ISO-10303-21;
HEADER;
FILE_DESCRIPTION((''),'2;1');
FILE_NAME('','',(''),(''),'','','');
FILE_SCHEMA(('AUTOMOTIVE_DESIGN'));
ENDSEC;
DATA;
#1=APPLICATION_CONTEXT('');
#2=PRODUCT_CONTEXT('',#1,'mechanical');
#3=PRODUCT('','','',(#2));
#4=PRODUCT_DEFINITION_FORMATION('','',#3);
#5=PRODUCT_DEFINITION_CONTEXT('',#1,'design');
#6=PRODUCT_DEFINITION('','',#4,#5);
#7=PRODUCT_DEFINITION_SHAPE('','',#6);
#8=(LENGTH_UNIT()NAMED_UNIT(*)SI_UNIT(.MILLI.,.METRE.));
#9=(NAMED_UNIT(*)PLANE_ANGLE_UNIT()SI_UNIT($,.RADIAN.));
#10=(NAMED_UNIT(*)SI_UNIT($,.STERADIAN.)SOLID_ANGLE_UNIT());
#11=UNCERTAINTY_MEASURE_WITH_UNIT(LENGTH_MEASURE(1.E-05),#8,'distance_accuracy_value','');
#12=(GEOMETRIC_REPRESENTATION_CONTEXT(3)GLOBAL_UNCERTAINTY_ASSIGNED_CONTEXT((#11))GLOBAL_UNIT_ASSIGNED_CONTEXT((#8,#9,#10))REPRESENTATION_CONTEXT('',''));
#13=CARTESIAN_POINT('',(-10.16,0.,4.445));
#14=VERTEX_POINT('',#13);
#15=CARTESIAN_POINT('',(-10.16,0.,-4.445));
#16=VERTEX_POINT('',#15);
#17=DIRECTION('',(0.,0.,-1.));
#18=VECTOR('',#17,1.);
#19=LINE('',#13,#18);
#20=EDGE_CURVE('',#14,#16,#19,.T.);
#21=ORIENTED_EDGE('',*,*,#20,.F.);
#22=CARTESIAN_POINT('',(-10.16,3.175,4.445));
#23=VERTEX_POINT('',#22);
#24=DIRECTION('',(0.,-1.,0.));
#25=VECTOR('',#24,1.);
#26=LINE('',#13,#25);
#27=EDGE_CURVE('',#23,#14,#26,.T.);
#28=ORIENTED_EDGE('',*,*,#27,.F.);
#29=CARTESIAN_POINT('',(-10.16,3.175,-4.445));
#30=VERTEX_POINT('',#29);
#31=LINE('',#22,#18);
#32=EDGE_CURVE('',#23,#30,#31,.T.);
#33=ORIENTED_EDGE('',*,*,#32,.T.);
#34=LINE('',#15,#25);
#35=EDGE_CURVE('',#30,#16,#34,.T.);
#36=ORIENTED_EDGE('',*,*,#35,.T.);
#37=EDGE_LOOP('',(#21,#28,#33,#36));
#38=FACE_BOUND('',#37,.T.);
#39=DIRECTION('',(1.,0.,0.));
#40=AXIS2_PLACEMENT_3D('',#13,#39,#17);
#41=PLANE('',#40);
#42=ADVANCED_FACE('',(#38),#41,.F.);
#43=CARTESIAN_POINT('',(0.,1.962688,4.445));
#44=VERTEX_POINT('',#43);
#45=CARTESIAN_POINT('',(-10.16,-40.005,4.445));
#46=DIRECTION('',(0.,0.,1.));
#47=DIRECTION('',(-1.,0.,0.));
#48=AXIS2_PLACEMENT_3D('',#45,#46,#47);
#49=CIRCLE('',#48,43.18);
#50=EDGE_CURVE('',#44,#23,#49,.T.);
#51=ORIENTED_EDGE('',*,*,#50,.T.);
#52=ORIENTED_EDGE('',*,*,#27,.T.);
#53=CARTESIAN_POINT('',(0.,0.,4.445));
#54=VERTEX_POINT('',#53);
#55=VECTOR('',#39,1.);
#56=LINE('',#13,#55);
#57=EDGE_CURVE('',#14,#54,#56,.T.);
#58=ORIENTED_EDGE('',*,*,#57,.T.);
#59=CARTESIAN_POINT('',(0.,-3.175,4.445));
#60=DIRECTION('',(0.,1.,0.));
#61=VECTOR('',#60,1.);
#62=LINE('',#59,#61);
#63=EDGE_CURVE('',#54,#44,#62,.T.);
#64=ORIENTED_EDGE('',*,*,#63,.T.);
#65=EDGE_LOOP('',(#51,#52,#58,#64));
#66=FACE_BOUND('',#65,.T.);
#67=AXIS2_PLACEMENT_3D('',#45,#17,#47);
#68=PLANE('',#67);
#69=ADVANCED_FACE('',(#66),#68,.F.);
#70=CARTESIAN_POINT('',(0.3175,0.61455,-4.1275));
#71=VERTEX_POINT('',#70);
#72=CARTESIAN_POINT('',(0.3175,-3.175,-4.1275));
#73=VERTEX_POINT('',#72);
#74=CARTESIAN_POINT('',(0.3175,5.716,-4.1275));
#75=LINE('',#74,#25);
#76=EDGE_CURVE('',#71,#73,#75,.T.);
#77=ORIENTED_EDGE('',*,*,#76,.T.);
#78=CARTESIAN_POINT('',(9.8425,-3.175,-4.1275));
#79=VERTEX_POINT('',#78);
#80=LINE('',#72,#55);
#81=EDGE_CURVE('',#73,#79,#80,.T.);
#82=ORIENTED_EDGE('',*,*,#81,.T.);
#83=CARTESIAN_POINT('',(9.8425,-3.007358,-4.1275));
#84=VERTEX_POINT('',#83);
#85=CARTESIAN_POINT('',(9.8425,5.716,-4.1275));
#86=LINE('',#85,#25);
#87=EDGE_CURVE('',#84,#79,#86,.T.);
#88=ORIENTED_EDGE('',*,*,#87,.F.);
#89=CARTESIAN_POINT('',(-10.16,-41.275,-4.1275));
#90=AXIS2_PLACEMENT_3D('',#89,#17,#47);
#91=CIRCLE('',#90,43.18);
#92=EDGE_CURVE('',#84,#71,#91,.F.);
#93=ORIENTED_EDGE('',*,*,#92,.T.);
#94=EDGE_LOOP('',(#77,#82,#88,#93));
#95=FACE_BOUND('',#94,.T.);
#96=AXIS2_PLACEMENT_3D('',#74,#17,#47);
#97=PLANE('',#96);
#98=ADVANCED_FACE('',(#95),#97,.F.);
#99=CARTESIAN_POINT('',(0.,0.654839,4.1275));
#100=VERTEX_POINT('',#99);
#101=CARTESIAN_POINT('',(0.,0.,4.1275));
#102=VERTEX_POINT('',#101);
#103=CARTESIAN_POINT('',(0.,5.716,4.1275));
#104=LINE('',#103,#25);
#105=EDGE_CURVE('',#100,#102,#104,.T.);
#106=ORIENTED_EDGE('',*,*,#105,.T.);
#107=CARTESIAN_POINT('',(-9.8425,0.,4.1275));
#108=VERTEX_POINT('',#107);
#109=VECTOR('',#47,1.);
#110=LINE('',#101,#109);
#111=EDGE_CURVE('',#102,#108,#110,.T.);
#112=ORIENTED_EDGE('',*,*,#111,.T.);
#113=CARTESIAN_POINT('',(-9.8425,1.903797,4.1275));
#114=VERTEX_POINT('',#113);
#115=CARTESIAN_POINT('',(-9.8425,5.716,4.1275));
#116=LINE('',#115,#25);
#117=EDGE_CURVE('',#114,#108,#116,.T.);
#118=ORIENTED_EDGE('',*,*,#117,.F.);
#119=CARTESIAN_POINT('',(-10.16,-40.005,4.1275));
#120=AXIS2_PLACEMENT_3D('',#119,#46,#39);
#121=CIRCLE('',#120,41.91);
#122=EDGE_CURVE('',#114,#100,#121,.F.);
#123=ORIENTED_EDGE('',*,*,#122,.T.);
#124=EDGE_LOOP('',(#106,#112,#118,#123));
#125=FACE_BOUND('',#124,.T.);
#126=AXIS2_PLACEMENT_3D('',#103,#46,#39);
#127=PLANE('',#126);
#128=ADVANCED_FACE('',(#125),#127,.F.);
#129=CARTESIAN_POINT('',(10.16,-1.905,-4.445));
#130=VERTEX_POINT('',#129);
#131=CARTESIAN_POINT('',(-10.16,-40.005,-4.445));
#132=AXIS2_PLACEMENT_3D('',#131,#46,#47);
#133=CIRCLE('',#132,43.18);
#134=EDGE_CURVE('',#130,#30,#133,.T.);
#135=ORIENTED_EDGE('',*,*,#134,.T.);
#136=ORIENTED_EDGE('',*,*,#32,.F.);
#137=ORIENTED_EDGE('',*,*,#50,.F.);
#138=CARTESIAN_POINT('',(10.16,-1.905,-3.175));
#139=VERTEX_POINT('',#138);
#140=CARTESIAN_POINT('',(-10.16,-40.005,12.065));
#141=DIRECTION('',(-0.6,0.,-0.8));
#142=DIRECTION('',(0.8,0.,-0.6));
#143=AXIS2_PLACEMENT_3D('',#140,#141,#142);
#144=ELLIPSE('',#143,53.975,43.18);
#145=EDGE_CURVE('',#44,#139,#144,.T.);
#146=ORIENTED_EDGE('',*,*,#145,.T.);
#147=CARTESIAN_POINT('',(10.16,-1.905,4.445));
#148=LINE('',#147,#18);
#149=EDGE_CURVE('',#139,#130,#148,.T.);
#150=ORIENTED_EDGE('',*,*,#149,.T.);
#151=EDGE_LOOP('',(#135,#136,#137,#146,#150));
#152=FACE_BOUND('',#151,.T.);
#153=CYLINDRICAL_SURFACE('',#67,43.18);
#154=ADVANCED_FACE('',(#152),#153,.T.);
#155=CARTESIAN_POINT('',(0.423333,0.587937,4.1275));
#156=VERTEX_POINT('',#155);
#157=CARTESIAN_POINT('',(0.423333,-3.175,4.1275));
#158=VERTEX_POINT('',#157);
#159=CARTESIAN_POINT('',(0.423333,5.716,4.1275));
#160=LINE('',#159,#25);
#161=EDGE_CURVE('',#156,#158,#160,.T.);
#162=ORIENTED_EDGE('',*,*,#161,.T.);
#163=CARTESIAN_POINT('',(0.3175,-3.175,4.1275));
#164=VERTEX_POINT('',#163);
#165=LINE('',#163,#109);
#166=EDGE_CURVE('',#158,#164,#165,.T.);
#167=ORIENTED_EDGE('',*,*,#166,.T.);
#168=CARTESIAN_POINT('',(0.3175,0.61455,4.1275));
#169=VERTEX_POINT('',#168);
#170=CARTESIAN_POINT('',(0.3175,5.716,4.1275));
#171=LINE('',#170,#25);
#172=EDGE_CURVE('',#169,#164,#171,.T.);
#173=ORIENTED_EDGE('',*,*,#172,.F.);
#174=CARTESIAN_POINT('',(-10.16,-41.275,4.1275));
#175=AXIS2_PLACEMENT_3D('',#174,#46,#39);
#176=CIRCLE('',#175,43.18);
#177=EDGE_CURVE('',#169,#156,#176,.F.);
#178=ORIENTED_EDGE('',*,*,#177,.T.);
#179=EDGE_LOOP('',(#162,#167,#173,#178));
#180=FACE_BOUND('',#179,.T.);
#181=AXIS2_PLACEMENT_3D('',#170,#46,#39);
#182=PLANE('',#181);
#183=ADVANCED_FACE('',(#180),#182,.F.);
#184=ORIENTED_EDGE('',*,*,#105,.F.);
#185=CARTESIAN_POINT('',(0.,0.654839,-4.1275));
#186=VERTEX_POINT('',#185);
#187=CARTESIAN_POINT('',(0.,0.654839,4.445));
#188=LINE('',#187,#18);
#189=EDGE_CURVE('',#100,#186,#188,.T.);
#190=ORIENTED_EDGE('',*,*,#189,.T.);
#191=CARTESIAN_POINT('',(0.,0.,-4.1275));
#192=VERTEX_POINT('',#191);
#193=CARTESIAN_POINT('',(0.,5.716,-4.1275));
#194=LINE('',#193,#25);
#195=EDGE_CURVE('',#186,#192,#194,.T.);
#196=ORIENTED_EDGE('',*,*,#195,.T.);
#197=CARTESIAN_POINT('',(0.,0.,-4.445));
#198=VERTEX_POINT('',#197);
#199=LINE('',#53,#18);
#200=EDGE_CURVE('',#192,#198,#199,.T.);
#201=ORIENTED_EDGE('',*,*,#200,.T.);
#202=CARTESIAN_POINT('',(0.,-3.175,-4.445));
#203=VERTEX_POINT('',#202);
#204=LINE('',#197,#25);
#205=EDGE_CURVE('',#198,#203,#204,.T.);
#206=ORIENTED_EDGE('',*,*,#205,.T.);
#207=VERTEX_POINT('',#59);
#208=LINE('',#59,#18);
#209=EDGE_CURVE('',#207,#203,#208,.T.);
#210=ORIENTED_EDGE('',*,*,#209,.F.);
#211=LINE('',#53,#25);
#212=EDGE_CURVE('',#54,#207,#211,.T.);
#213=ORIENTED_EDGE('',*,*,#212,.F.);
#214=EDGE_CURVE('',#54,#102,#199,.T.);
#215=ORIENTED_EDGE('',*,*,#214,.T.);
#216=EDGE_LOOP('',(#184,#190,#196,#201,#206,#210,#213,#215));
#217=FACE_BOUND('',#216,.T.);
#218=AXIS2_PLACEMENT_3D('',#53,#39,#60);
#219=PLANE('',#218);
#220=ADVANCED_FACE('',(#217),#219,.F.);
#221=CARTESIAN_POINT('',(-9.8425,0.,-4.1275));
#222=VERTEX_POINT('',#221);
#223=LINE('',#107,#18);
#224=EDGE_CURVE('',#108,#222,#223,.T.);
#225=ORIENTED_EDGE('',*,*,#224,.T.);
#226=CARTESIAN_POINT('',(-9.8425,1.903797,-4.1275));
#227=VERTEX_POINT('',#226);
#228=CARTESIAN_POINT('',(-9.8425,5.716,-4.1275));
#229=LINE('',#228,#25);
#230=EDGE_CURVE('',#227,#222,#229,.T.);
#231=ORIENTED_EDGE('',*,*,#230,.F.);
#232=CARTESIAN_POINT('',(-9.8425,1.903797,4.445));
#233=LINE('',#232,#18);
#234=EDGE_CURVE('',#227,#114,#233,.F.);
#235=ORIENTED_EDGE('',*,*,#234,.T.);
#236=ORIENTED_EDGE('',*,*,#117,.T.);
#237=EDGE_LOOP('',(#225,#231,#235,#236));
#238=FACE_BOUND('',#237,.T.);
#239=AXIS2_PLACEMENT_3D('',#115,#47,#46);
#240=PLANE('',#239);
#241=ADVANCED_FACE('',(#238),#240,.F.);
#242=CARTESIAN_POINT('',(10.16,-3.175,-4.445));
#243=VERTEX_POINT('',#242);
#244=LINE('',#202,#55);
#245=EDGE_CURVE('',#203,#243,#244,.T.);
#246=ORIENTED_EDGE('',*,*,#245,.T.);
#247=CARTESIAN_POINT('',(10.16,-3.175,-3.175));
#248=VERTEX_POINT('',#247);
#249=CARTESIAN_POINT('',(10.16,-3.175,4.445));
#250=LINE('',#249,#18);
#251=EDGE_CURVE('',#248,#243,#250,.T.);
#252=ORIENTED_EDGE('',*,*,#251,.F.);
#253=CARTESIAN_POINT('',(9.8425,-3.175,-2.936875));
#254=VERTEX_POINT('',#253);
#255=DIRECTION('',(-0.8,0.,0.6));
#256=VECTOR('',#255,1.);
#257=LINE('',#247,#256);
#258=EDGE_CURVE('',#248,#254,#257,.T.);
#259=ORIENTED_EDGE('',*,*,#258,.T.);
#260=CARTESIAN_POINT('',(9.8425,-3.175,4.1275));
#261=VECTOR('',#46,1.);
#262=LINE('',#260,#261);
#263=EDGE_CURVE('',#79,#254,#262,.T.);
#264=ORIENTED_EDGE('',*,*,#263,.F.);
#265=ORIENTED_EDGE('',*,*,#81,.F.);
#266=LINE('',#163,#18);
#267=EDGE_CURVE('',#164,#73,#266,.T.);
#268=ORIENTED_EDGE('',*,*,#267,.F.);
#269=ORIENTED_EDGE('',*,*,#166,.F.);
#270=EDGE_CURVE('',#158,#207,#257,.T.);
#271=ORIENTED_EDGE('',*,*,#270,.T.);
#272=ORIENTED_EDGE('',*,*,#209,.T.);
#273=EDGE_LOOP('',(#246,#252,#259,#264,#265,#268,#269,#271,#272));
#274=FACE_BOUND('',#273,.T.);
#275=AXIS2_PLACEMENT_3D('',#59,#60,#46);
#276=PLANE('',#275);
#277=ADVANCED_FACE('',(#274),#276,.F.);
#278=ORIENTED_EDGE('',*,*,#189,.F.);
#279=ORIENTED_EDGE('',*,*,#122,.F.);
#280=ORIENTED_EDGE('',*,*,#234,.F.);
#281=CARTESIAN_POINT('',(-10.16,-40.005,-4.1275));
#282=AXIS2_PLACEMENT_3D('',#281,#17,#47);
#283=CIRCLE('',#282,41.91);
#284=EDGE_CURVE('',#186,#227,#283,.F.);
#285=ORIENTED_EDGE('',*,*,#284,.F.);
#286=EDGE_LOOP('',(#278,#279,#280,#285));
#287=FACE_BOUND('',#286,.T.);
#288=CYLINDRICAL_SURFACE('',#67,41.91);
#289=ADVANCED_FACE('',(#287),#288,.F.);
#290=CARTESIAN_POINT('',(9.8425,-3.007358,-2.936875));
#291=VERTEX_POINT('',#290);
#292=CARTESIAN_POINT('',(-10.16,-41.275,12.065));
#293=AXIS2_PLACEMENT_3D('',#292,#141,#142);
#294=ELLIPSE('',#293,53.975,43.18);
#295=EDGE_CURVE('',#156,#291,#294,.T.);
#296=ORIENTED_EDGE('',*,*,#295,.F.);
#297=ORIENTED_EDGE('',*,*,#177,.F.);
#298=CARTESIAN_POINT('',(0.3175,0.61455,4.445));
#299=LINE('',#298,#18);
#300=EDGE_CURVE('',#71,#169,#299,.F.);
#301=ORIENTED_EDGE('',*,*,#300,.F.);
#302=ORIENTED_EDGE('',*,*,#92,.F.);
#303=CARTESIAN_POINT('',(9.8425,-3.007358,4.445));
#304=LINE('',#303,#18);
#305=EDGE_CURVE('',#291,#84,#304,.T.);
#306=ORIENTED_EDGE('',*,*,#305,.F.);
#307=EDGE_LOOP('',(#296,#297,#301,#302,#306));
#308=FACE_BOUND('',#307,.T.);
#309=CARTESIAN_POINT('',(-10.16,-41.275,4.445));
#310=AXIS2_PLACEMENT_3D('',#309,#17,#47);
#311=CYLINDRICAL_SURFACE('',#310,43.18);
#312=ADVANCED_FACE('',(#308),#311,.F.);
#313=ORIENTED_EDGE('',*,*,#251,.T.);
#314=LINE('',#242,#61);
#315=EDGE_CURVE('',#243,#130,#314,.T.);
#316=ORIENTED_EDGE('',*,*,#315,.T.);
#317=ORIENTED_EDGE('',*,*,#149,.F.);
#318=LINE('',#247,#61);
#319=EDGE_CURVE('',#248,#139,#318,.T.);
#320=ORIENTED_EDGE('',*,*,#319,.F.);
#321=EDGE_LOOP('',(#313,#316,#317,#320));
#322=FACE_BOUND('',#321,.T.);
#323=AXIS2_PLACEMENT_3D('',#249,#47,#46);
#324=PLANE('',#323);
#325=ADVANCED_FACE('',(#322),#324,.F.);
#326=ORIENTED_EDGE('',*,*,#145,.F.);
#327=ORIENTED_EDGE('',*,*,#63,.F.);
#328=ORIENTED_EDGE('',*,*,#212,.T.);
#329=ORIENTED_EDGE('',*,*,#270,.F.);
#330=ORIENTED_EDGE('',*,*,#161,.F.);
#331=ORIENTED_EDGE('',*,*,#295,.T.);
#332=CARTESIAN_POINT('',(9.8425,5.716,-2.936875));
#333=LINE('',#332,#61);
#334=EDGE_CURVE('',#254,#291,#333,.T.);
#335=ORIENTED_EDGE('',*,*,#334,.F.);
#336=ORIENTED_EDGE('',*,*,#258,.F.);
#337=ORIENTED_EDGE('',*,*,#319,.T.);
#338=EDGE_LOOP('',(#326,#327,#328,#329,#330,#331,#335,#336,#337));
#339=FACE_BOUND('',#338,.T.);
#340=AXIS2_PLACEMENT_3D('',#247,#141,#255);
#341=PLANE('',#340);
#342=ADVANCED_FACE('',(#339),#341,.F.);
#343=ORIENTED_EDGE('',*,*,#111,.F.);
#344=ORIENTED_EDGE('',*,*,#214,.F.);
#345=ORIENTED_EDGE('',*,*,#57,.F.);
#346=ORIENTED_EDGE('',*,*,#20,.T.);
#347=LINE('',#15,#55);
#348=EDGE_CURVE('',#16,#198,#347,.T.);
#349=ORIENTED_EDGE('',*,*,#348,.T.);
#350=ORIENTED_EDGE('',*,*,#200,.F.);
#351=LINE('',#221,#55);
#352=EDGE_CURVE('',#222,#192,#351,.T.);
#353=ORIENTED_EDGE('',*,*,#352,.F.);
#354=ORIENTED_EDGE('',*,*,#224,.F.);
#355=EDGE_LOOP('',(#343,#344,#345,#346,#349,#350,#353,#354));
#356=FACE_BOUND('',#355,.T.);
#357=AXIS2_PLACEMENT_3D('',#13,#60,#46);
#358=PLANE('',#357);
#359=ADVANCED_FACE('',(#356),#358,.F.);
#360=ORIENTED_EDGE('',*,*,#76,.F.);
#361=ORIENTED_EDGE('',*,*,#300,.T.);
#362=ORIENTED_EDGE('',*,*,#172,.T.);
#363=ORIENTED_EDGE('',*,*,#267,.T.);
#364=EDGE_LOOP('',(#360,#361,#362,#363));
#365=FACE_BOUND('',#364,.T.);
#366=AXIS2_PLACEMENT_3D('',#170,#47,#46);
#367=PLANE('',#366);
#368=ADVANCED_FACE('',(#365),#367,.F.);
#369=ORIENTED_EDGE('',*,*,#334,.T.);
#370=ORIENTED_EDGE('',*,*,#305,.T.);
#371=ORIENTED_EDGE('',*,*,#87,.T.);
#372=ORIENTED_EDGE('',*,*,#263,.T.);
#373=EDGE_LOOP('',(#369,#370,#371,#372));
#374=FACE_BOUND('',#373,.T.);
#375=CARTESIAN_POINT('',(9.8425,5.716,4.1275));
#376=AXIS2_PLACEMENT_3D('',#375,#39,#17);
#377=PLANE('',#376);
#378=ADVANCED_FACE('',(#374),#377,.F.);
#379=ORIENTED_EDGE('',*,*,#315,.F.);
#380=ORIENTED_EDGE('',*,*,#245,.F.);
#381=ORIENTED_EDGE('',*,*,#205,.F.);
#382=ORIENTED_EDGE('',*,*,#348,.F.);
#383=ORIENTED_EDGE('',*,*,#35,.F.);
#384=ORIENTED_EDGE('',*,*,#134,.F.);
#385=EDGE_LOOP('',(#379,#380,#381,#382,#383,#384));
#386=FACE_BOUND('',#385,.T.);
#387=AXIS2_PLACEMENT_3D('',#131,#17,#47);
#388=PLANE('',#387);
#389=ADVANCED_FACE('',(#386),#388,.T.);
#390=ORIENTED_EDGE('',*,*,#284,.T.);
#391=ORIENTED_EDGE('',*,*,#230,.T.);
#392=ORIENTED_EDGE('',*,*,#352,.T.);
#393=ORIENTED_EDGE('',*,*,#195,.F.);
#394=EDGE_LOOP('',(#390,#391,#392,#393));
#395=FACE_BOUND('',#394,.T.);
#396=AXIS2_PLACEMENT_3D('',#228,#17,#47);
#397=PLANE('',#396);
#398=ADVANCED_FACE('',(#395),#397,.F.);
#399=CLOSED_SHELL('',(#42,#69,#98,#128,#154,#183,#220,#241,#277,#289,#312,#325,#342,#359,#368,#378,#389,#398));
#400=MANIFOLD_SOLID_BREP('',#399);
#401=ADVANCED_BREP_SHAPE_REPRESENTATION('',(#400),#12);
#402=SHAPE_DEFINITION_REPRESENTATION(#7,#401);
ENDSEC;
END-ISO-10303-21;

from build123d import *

# Parameters (mm, degrees)
BOSS_EXTRUDE1_DEPTH     = 4.445
CUT_EXTRUDE1_REACH      = 13.535
CUT_EXTRUDE1_END_RADIUS = 41.91
SKETCH2_W               = 9.8425
SKETCH2_H               = 8.255
CUT_EXTRUDE3_REACH      = 14.779
CUT_EXTRUDE3_END_RADIUS = 43.18
SKETCH3_W               = 9.525
SKETCH3_H               = 8.255
CUT_EXTRUDE5_DEPTH      = 12.535347849
CUT_EXTRUDE5_DEPTH_BACK = 12.535347849


with BuildPart() as part:
    # Sketch1 → Boss-Extrude1 (new, symmetric)
    with BuildSketch(Plane.XY):
        with BuildLine():
            Line((-10.16, 0), (-10.16, 3.175))
            ThreePointArc((-10.16, 3.175), (0.312688289, 1.885753156), (10.16, -1.905))
            Line((10.16, -1.905), (10.16, -3.175))
            Line((10.16, -3.175), (0, -3.175))
            Line((0, -3.175), (0, 0))
            Line((0, 0), (-10.16, 0))
        make_face()
    extrude(amount=BOSS_EXTRUDE1_DEPTH, both=True)

    # Cut-Extrude1: up to this cylinder (the profile starts inside it)
    cut_extrude1_end = Plane(origin=(-10.16, -40.005, 0), z_dir=(0, 0, -1)) * Cylinder(CUT_EXTRUDE1_END_RADIUS, 111.89, mode=Mode.PRIVATE)
    # Sketch2 → Cut-Extrude1 (cut, up to the surface)
    with BuildSketch(Plane.XZ, mode=Mode.PRIVATE) as cut_extrude1_sk1:
        with Locations((-4.92125, 0)):
            Rectangle(SKETCH2_W, SKETCH2_H)
    cut_extrude1_tool1 = extrude(cut_extrude1_sk1.sketch, amount=-CUT_EXTRUDE1_REACH, mode=Mode.PRIVATE) & cut_extrude1_end
    add(cut_extrude1_tool1.solids().sort_by_distance((-4.92125, 0, 0))[0], mode=Mode.SUBTRACT)

    # Cut-Extrude3: up to this cylinder (the profile starts inside it)
    cut_extrude3_end = Plane(origin=(-10.16, -41.275, 0), z_dir=(0, 0, -1)) * Cylinder(CUT_EXTRUDE3_END_RADIUS, 116.918, mode=Mode.PRIVATE)
    # Sketch3 → Cut-Extrude3 (cut, up to the surface)
    with BuildSketch(Plane.XZ.offset(3.175), mode=Mode.PRIVATE) as cut_extrude3_sk1:
        with Locations((5.08, 0)):
            Rectangle(SKETCH3_W, SKETCH3_H)
    cut_extrude3_tool1 = extrude(cut_extrude3_sk1.sketch, amount=-CUT_EXTRUDE3_REACH, mode=Mode.PRIVATE) & cut_extrude3_end
    add(cut_extrude3_tool1.solids().sort_by_distance((5.08, -3.175, 0))[0], mode=Mode.SUBTRACT)

    # Sketch7 → Cut-Extrude5 (cut, two sides)
    with BuildSketch(Plane(origin=(0, 0, 0), x_dir=(1, 0, 0), z_dir=(0, 1, 0))) as cut_extrude5_sk:
        Polygon((10.16, 3.175), (0, -4.445), (10.16, -4.445), align=None)
    extrude(amount=CUT_EXTRUDE5_DEPTH, mode=Mode.SUBTRACT)
    extrude(cut_extrude5_sk.sketch, amount=-CUT_EXTRUDE5_DEPTH_BACK, mode=Mode.SUBTRACT)


solid = part.part
